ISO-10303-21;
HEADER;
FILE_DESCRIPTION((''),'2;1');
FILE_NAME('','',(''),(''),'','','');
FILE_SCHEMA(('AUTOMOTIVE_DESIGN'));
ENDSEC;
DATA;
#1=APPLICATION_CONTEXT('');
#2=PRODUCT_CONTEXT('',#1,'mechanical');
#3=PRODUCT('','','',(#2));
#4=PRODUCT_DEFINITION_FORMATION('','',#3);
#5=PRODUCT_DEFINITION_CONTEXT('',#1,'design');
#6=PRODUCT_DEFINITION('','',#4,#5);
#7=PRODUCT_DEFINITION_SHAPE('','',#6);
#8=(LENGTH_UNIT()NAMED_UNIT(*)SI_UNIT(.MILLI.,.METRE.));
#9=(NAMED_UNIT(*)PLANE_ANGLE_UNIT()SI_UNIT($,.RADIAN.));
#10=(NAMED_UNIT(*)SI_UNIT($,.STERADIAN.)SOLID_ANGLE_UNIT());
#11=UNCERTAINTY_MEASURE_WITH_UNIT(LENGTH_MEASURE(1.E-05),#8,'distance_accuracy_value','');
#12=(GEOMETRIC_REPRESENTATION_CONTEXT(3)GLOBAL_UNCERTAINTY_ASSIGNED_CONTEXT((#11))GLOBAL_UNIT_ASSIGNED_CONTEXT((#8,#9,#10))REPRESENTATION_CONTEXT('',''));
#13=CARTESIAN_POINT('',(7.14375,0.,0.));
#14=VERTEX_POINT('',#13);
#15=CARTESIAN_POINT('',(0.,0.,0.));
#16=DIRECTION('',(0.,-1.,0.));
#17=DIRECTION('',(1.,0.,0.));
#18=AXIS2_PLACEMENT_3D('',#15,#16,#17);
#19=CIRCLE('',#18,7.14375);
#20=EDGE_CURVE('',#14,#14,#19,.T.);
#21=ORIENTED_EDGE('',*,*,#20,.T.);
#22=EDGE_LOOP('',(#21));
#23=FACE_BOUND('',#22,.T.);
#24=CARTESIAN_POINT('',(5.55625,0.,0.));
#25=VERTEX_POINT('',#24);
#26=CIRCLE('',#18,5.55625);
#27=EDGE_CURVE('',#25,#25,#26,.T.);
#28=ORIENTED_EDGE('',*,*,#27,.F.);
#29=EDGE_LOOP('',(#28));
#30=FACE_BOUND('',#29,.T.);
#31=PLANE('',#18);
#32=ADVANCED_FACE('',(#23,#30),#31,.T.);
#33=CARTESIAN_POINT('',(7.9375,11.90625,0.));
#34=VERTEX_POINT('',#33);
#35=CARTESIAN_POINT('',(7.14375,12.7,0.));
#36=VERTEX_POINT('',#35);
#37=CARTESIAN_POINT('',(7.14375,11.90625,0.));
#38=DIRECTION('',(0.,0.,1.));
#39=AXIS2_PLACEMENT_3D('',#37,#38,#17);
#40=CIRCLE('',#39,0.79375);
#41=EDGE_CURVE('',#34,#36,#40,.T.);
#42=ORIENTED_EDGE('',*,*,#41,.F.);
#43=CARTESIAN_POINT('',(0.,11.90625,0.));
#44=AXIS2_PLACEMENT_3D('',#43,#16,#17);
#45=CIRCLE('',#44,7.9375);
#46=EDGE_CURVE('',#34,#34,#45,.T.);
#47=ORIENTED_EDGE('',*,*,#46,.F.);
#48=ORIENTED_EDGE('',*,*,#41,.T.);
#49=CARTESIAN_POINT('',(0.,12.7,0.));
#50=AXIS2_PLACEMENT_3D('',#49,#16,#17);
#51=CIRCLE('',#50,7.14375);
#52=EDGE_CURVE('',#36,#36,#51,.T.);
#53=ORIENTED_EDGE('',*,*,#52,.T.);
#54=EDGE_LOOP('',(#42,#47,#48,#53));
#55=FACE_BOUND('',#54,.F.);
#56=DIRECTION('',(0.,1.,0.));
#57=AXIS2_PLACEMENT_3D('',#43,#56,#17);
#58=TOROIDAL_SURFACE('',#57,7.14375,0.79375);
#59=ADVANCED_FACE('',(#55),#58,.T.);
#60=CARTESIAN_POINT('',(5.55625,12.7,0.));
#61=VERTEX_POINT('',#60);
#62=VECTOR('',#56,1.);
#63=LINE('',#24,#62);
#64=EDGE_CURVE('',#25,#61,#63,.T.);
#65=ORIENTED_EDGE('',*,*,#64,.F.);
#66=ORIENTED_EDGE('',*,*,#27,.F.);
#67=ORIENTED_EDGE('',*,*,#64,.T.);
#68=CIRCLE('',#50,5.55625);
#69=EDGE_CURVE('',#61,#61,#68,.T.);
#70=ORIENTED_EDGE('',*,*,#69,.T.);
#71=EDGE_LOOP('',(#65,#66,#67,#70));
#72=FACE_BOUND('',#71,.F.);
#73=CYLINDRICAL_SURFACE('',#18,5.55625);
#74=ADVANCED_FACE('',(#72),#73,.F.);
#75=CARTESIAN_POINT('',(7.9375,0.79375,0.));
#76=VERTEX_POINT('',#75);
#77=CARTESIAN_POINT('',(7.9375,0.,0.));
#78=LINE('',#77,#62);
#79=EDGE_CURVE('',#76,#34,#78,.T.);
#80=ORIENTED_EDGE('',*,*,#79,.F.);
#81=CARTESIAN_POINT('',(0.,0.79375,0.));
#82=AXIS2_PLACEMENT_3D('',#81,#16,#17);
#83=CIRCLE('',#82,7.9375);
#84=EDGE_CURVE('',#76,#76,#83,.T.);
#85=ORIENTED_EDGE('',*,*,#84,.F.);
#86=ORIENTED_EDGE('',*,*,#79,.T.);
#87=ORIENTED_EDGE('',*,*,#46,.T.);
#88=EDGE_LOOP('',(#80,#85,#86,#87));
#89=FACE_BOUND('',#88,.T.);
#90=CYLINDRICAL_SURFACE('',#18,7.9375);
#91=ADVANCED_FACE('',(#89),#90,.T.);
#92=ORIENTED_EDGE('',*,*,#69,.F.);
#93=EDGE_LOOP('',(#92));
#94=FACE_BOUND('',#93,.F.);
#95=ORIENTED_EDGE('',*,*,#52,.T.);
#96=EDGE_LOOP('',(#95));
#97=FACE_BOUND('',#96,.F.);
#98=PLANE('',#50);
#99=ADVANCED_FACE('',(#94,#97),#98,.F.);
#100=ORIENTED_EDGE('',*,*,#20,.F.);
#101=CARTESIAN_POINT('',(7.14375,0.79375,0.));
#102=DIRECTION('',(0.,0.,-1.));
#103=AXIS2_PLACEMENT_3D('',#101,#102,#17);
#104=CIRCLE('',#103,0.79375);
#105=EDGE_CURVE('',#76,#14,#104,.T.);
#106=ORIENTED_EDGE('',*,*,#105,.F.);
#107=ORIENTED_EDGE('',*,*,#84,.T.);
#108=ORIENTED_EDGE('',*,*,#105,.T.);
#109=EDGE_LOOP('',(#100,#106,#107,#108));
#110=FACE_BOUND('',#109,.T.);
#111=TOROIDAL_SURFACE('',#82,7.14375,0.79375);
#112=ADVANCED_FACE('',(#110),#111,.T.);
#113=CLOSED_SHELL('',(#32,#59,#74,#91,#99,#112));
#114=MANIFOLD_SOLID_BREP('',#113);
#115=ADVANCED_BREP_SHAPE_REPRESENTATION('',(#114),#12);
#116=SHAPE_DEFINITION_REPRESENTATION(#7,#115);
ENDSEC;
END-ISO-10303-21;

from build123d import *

# Parameters (mm, degrees)
F0_R     = 7.9375
F0_R_2   = 5.55625
F1_DEPTH = 12.7
F2_R     = 0.79375


with BuildPart() as f1:
    # F0 (on Front) → F1 (new body)
    with BuildSketch(Plane.XZ):
        Circle(F0_R)
        Circle(F0_R_2, mode=Mode.SUBTRACT)
    extrude(amount=-F1_DEPTH)

    # F2
    f2_edges = [f1.edges().sort_by_distance(p)[0] for p in [
        (-7.9375, 0, 0),
        (-7.9375, 12.7, 0),
    ]]
    fillet(f2_edges, radius=F2_R)


solid = f1.part
